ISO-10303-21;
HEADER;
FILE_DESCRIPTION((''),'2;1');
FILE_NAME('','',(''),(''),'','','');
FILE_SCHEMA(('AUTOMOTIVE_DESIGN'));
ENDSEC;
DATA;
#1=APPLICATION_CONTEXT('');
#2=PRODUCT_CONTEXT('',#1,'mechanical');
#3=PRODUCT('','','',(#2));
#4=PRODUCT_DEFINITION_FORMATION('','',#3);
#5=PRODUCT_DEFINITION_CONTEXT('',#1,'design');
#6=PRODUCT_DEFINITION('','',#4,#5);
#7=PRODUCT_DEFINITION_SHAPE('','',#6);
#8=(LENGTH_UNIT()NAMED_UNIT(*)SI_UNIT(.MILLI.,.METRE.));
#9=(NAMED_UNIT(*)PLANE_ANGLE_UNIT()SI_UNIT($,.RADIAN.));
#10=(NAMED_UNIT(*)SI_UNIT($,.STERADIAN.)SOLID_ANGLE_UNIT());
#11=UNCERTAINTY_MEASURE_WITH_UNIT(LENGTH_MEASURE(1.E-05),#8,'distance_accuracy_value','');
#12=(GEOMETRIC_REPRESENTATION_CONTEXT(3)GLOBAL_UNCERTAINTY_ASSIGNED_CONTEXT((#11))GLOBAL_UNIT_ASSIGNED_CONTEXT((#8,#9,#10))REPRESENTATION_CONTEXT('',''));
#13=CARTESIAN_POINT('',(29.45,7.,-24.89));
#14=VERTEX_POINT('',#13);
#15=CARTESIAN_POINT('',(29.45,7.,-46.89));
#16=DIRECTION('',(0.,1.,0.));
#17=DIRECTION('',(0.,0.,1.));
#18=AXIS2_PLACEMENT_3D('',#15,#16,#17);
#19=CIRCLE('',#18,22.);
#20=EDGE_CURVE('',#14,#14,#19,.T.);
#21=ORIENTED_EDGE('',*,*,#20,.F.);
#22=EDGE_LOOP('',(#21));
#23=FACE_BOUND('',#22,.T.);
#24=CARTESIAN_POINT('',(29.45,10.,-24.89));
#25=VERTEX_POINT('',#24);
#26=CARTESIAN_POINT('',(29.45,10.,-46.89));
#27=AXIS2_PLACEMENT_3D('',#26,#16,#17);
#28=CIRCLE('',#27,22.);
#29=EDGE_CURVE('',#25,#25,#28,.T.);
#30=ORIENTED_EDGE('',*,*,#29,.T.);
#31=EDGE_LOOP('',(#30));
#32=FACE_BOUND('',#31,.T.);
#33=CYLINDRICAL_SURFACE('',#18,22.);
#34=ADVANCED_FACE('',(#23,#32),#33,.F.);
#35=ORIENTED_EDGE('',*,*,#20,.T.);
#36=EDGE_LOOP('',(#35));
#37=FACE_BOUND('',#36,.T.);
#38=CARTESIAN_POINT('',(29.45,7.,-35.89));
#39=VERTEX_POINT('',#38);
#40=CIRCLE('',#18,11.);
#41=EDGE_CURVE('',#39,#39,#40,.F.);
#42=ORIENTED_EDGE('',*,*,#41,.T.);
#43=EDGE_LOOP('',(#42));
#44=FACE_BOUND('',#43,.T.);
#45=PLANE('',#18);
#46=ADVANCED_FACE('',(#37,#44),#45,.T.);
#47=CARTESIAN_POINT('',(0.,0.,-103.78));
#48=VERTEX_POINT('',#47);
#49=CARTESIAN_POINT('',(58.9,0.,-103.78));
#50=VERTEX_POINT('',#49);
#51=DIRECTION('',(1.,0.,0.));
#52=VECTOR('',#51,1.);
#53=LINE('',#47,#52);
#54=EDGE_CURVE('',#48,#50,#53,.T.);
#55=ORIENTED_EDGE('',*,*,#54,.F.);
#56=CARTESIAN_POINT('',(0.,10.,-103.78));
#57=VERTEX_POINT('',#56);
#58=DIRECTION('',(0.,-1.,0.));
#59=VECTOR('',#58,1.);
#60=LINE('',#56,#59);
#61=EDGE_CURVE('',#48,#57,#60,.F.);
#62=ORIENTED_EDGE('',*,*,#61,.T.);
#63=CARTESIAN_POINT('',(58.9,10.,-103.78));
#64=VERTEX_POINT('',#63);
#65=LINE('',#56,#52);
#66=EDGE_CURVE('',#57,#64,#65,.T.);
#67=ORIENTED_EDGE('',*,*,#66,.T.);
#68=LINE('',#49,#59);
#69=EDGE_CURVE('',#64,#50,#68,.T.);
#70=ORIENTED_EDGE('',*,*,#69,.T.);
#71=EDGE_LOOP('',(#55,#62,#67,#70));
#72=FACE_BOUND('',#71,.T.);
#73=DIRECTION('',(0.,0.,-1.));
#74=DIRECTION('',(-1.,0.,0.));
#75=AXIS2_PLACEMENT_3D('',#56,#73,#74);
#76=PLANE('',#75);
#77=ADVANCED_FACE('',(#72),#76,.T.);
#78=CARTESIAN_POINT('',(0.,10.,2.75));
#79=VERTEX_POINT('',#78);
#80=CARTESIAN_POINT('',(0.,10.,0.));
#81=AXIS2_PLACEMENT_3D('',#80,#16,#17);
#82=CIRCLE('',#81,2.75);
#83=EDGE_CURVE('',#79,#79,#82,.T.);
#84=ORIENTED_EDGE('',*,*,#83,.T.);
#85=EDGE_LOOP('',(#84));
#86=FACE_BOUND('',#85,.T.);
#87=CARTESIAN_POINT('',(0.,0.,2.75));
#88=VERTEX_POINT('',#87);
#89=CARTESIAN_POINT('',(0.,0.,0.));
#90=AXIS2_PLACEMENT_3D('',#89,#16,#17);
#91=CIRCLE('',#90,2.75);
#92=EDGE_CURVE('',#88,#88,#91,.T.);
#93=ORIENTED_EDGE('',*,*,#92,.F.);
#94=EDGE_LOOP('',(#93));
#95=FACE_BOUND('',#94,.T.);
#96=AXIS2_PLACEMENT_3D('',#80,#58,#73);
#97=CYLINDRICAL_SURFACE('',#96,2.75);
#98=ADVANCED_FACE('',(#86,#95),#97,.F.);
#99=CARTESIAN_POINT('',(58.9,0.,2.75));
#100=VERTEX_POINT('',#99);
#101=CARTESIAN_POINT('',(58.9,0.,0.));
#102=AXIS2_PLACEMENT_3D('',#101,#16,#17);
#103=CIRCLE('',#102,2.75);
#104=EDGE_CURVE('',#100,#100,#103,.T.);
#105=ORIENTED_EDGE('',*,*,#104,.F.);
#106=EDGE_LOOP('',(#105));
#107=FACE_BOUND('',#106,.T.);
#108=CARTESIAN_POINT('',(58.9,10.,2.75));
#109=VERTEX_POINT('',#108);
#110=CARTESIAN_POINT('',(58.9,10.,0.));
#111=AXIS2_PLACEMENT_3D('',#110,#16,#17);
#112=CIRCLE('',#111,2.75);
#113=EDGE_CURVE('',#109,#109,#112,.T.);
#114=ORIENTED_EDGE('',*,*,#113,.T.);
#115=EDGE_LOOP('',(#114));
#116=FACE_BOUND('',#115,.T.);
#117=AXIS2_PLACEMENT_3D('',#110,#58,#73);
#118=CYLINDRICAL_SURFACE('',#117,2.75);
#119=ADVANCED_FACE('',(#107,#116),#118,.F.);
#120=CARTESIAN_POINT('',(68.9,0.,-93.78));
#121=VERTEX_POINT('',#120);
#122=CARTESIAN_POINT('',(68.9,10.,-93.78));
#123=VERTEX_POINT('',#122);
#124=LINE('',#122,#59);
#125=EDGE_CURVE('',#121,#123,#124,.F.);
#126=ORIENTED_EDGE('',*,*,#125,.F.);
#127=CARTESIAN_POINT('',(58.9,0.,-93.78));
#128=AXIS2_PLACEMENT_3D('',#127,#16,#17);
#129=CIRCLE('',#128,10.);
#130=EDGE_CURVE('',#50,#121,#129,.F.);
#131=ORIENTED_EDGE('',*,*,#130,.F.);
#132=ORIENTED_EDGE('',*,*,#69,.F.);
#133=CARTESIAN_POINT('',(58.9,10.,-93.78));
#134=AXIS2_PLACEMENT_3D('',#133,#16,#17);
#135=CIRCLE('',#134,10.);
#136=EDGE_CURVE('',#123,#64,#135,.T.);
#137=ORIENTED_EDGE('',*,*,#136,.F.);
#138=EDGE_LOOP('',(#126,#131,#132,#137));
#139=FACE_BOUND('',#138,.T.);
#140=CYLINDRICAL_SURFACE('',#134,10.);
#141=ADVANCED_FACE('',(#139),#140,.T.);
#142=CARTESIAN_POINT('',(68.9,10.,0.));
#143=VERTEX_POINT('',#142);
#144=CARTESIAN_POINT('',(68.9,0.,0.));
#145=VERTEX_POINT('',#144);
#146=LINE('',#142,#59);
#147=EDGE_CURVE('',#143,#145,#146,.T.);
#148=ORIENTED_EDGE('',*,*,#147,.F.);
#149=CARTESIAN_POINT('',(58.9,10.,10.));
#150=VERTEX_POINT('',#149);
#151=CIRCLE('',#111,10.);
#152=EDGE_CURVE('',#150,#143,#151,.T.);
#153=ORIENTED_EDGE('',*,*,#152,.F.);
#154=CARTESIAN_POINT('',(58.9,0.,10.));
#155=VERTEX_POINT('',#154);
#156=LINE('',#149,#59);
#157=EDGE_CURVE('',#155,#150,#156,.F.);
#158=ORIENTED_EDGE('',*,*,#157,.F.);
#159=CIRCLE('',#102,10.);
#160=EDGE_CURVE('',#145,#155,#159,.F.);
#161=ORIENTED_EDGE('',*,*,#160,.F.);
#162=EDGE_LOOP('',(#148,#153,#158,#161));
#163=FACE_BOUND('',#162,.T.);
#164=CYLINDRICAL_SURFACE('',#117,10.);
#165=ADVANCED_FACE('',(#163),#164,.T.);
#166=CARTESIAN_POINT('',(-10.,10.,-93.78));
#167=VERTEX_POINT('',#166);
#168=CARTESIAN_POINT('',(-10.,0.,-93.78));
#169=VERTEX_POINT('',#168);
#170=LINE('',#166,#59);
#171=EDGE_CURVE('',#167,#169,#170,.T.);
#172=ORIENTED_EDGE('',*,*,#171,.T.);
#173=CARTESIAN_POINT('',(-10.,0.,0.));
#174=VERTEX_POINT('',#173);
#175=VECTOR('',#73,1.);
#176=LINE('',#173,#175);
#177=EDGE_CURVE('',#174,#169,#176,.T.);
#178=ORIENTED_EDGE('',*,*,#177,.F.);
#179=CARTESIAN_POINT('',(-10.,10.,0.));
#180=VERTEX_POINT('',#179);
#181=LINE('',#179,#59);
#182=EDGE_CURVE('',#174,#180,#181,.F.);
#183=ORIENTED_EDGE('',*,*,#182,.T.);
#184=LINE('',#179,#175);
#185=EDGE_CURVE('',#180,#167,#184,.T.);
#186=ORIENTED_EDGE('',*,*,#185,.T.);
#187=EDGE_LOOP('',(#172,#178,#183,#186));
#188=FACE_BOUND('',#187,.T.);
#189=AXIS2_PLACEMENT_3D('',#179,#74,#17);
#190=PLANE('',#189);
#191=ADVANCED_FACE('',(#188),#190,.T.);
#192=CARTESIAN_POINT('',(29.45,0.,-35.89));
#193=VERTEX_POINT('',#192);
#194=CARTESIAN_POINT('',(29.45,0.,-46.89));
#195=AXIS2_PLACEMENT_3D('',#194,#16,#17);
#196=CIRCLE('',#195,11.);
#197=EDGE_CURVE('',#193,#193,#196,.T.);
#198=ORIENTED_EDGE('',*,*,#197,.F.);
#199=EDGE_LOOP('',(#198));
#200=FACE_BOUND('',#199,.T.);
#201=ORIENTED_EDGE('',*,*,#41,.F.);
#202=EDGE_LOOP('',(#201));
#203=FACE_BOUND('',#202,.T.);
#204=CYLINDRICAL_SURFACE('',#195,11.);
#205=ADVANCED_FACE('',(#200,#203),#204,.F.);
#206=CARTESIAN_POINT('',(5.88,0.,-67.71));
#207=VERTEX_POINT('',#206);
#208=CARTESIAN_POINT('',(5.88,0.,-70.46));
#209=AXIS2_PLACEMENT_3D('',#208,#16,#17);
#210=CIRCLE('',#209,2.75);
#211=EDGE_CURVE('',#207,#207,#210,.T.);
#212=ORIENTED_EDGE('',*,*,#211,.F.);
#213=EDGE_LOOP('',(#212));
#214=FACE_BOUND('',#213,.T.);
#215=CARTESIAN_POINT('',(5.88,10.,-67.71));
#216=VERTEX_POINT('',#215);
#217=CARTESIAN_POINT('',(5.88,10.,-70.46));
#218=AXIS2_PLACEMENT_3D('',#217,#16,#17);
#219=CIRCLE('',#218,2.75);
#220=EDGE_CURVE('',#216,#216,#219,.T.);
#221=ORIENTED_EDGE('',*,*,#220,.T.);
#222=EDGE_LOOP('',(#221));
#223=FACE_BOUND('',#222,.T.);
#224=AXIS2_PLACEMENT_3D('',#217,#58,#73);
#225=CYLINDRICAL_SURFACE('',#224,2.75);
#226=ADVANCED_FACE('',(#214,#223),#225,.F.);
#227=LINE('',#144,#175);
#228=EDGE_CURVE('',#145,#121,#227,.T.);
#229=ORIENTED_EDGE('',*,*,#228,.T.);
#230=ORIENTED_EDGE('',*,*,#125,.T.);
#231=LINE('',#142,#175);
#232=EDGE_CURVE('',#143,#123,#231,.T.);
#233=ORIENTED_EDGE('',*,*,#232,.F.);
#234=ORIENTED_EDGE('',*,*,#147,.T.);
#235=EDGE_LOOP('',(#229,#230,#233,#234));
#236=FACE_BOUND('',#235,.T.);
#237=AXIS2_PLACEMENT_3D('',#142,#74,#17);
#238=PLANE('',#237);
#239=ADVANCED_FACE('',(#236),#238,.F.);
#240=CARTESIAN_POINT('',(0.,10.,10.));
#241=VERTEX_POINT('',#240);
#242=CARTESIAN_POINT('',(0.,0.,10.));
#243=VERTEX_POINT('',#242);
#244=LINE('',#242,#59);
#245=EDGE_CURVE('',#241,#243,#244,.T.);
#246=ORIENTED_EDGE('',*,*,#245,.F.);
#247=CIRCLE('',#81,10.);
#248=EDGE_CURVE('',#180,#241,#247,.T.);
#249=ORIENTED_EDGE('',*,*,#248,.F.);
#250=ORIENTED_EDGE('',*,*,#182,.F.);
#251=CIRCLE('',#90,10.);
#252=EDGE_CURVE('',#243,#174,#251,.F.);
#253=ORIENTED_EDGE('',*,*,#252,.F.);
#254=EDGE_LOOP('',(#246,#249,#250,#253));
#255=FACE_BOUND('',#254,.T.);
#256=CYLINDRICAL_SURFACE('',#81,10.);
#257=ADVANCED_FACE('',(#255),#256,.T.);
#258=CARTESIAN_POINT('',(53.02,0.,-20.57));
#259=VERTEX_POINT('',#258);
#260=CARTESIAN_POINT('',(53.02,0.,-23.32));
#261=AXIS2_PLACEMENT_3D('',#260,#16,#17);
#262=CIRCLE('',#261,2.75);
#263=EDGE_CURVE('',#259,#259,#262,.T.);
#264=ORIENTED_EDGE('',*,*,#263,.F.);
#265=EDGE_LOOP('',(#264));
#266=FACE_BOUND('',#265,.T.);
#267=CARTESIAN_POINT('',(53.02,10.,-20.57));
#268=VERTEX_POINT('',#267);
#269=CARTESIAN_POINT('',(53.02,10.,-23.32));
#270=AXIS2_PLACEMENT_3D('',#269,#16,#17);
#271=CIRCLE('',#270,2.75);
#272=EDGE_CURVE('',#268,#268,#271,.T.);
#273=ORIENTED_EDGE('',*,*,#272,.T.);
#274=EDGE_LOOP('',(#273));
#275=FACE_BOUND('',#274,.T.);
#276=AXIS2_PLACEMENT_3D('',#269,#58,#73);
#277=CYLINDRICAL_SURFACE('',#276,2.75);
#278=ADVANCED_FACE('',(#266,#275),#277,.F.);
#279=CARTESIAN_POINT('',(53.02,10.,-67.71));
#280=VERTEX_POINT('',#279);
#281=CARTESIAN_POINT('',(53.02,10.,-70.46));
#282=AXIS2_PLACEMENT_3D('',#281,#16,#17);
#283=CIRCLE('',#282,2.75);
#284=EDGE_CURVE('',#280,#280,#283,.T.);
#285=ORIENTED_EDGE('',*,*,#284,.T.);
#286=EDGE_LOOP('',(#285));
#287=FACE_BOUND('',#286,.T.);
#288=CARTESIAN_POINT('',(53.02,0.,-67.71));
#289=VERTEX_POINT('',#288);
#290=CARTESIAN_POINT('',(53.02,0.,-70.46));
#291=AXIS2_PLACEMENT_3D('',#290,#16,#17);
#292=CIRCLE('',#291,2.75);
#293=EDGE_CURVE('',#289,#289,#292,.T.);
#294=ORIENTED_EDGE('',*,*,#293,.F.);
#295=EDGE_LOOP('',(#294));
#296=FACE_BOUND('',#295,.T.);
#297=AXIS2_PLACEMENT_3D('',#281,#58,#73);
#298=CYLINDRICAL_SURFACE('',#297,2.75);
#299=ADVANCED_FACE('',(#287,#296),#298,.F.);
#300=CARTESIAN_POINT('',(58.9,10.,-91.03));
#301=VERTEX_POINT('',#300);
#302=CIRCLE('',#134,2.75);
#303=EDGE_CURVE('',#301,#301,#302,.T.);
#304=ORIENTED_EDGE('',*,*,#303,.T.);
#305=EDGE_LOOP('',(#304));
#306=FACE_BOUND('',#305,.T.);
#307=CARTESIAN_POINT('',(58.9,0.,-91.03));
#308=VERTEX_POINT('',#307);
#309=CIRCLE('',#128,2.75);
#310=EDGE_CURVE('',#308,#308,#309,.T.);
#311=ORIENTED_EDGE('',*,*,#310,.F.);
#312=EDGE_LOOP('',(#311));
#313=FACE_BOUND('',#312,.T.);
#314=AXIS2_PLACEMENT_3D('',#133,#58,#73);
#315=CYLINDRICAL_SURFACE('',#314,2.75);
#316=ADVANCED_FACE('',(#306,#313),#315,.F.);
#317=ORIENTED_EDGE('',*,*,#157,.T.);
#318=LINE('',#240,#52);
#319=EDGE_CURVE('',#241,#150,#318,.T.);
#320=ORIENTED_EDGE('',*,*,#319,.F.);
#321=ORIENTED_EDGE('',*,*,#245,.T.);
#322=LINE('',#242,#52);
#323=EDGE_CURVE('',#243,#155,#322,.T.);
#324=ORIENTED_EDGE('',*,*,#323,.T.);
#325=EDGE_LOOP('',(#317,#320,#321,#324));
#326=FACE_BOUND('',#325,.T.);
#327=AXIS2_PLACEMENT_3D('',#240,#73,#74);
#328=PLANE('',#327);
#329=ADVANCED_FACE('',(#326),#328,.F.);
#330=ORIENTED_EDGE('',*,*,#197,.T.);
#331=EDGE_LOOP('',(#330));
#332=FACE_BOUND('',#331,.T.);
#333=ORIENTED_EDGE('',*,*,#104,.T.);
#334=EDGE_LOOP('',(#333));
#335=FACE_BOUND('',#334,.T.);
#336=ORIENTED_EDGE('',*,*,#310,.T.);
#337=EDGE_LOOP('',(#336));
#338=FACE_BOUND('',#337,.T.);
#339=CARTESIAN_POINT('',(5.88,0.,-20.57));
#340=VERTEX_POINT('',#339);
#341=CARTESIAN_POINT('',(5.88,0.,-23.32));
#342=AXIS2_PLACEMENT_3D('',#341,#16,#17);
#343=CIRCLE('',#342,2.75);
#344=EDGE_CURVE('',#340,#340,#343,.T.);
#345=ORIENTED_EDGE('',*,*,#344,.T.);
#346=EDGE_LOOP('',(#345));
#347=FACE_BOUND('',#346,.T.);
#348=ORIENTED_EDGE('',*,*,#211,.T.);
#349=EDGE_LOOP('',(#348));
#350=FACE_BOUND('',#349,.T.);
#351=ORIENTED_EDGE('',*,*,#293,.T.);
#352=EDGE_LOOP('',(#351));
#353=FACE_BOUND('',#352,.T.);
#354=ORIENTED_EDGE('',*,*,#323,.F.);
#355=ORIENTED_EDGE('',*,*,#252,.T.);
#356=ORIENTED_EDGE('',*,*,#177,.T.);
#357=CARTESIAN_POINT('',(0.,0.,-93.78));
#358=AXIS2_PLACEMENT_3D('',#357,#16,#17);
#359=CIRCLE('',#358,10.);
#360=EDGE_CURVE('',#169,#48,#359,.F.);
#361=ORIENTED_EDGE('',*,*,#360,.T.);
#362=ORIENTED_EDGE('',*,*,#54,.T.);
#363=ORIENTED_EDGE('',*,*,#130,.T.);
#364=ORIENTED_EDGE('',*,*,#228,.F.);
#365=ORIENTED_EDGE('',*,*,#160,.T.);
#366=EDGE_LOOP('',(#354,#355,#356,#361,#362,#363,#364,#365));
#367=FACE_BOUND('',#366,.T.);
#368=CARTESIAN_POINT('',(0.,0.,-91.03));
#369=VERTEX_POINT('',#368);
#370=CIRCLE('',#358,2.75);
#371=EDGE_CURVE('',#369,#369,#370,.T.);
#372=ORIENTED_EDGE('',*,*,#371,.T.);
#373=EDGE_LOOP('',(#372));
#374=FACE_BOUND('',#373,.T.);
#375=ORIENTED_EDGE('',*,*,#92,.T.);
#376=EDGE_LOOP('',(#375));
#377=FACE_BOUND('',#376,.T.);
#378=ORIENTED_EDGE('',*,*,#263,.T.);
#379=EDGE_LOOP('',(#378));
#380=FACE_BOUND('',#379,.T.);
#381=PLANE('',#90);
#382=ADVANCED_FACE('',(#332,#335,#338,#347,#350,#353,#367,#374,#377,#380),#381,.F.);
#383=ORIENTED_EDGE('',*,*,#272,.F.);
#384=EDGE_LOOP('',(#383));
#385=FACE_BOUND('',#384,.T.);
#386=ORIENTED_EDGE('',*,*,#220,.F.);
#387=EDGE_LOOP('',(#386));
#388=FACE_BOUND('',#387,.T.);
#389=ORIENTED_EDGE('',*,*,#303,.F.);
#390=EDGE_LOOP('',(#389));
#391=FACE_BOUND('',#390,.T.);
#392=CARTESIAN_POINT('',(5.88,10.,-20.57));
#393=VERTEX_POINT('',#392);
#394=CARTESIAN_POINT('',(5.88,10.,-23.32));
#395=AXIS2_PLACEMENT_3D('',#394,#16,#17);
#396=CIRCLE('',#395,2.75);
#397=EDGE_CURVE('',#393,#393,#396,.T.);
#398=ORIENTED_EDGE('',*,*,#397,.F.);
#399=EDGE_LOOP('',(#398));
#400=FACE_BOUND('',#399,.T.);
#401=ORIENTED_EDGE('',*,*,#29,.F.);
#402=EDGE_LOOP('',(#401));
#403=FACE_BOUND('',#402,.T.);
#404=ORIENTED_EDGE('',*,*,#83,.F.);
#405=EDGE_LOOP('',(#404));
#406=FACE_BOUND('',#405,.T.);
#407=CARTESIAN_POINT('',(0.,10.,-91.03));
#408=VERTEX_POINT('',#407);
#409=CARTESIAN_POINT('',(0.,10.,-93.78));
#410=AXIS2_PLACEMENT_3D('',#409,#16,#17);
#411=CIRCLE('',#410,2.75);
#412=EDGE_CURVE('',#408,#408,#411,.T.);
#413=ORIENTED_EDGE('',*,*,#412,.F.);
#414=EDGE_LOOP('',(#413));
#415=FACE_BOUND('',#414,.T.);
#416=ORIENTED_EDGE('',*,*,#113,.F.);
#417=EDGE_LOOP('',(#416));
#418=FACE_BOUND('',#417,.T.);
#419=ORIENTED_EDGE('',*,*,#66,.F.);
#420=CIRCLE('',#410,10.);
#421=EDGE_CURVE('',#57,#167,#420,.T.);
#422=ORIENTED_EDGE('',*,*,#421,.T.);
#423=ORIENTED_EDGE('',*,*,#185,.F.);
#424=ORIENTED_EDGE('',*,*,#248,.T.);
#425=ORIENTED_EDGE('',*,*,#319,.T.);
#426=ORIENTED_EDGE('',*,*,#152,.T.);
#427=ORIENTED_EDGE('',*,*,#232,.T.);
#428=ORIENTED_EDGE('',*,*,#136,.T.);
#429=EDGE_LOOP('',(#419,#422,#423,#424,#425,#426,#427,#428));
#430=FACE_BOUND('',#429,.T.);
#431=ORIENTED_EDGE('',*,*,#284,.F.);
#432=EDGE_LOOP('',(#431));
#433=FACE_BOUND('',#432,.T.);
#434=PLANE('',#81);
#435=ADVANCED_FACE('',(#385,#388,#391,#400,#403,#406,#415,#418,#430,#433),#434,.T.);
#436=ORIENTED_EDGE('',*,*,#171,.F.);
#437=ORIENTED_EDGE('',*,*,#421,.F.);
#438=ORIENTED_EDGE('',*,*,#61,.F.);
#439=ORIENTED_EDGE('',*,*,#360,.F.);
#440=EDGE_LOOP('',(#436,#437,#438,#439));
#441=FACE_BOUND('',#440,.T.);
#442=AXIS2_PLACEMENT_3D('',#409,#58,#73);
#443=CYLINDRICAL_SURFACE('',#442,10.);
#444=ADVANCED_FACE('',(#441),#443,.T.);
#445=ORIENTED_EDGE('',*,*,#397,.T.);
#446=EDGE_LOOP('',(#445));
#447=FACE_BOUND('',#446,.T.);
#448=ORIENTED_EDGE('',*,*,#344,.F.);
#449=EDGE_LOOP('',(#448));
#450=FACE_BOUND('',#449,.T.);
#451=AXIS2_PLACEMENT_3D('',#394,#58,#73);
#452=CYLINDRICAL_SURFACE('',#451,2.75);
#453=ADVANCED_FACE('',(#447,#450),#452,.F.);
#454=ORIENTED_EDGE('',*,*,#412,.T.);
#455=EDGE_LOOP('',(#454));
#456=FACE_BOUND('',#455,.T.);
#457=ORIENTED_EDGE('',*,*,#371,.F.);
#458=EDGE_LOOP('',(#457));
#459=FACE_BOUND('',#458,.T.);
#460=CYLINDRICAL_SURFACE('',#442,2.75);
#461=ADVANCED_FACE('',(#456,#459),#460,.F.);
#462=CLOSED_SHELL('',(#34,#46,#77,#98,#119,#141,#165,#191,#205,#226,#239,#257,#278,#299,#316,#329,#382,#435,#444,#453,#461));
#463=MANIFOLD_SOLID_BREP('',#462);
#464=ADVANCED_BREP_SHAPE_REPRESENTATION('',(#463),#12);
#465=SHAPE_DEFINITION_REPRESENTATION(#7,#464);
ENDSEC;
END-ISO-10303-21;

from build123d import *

# Parameters (mm, degrees)
SKETCH1_W           = 78.9
SKETCH1_H           = 113.78
SKETCH1_R           = 2.75
BOSS_EXTRUDE1_DEPTH = 10
SKETCH2_R           = 11
CUT_EXTRUDE1_DEPTH  = 10
SKETCH3_R           = 22
CUT_EXTRUDE2_DEPTH  = 3
FILLET1_R           = 10


with BuildPart() as part:
    # Sketch1 → Boss-Extrude1 (new body)
    with BuildSketch(Plane(origin=(0, 0, 0), x_dir=(1, 0, 0), z_dir=(0, 1, 0))):
        with Locations((29.45, 46.89)):
            Rectangle(SKETCH1_W, SKETCH1_H)
        with Locations(Location((0, 93.78, 0), (0, 0, 270))):
            Circle(SKETCH1_R, mode=Mode.SUBTRACT)
        with Locations(Location((58.9, 93.78, 0), (0, 0, 270))):
            Circle(SKETCH1_R, mode=Mode.SUBTRACT)
        with Locations(Location((58.9, 0, 0), (0, 0, 270))):
            Circle(SKETCH1_R, mode=Mode.SUBTRACT)
        with Locations(Location((0, 0, 0), (0, 0, 270))):
            Circle(SKETCH1_R, mode=Mode.SUBTRACT)
        with Locations(Location((5.88, 70.46, 0), (0, 0, 270))):
            Circle(SKETCH1_R, mode=Mode.SUBTRACT)
        with Locations(Location((53.02, 70.46, 0), (0, 0, 270))):
            Circle(SKETCH1_R, mode=Mode.SUBTRACT)
        with Locations(Location((53.02, 23.32, 0), (0, 0, 270))):
            Circle(SKETCH1_R, mode=Mode.SUBTRACT)
        with Locations(Location((5.88, 23.32, 0), (0, 0, 270))):
            Circle(SKETCH1_R, mode=Mode.SUBTRACT)
    extrude(amount=BOSS_EXTRUDE1_DEPTH)

    # Sketch2 → Cut-Extrude1 (cut)
    with BuildSketch(Plane(origin=(0, 10, 0), x_dir=(1, 0, 0), z_dir=(0, 1, 0))):
        with Locations(Location((29.45, 46.89, 0), (0, 0, 270))):
            Circle(SKETCH2_R)
    extrude(amount=-CUT_EXTRUDE1_DEPTH, mode=Mode.SUBTRACT)

    # Sketch3 → Cut-Extrude2 (cut)
    with BuildSketch(Plane(origin=(0, 10, 0), x_dir=(1, 0, 0), z_dir=(0, 1, 0))):
        with Locations(Location((29.45, 46.89, 0), (0, 0, 270))):
            Circle(SKETCH3_R)
    extrude(amount=-CUT_EXTRUDE2_DEPTH, mode=Mode.SUBTRACT)

    # Fillet1
    fillet1_edges = [part.edges().sort_by_distance(p)[0] for p in [
        (-10, 5, 10),
        (-10, 5, -103.78),
        (68.9, 5, -103.78),
        (68.9, 5, 10),
    ]]
    fillet(fillet1_edges, radius=FILLET1_R)


solid = part.part
